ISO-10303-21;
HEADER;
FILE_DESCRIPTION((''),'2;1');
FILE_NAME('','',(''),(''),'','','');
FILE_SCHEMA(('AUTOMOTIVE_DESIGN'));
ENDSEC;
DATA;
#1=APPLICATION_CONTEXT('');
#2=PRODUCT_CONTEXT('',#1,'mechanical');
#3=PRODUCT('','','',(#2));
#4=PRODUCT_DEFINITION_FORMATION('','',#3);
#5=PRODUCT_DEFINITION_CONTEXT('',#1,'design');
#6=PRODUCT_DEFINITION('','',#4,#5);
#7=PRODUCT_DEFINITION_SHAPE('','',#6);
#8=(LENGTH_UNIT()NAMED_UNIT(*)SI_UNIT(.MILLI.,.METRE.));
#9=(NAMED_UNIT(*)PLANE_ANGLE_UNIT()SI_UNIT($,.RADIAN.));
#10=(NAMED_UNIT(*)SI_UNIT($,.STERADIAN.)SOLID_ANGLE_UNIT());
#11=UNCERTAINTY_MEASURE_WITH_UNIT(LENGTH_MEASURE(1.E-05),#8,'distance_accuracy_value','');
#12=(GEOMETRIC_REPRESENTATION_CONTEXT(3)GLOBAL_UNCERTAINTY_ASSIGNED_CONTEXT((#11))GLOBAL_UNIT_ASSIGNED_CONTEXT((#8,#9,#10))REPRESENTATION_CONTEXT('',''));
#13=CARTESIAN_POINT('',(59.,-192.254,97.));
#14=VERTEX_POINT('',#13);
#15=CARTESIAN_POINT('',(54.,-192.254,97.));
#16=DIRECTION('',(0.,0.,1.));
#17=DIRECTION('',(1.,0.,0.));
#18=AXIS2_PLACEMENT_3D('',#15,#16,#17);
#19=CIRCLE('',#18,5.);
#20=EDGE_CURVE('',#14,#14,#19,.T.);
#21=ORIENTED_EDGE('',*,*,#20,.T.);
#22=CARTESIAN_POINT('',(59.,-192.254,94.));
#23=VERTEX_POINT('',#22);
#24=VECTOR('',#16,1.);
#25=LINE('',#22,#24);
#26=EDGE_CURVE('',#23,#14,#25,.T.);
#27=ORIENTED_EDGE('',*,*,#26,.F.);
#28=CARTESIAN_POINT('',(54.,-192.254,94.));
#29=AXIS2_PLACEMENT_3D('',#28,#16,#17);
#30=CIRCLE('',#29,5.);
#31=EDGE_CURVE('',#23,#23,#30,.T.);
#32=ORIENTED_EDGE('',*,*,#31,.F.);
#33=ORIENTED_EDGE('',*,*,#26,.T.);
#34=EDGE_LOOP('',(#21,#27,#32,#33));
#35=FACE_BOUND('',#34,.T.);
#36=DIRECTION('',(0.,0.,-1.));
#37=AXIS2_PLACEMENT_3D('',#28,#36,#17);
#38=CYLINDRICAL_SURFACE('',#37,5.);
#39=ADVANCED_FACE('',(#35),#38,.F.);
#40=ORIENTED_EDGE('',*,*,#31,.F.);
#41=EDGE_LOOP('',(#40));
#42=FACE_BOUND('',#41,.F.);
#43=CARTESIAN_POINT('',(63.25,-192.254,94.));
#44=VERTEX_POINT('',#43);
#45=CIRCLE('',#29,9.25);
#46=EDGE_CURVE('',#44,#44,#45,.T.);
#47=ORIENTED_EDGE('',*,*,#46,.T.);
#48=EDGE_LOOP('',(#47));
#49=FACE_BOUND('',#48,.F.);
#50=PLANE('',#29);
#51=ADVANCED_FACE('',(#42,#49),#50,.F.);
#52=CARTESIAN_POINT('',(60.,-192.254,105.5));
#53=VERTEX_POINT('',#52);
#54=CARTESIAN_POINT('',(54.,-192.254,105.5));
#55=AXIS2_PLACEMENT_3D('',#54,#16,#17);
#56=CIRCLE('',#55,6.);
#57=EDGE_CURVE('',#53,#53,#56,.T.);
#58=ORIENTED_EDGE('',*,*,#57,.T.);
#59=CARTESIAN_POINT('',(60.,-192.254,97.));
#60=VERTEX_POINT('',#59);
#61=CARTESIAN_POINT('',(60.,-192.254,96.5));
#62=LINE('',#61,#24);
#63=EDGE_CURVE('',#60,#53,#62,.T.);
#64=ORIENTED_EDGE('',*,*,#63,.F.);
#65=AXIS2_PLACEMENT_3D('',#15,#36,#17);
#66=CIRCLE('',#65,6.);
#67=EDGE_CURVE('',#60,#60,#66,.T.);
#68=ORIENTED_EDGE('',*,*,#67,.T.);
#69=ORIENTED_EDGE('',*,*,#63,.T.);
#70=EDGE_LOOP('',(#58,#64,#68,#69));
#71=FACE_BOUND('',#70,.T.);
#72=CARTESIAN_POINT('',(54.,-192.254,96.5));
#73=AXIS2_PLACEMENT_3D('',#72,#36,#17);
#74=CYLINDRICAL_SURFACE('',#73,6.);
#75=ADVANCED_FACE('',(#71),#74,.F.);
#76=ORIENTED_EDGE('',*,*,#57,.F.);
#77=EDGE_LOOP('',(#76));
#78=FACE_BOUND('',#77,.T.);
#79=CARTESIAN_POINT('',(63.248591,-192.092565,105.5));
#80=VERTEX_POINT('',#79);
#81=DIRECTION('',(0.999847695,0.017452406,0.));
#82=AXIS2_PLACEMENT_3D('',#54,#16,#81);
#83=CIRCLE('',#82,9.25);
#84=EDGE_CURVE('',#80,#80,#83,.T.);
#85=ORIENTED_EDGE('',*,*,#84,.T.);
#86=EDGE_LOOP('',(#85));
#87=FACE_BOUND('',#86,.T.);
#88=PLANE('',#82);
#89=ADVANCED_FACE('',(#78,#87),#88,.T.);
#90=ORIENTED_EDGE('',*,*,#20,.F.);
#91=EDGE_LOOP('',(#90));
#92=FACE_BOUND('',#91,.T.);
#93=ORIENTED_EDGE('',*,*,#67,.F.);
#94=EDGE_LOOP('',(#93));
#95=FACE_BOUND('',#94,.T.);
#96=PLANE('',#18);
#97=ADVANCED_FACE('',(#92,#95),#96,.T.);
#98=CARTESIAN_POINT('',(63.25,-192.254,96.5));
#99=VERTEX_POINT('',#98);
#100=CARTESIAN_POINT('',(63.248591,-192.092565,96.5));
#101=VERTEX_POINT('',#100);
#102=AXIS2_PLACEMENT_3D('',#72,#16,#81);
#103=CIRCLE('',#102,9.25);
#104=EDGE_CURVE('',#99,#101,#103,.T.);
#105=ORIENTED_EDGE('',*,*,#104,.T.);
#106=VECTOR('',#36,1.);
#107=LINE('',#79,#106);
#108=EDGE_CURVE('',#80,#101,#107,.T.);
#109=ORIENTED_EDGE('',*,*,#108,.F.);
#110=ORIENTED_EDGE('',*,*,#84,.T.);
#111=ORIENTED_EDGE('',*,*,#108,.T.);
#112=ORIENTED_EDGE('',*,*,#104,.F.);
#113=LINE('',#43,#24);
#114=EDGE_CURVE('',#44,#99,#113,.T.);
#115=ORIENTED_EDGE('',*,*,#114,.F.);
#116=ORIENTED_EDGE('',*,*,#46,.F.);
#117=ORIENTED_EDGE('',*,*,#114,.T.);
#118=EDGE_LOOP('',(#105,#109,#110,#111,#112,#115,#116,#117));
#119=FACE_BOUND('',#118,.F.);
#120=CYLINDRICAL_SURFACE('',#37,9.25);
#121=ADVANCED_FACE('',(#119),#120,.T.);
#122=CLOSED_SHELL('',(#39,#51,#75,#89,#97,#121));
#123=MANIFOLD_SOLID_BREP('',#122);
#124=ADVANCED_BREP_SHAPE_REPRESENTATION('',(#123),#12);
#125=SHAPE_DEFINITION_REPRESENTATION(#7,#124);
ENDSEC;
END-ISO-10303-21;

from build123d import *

# Parameters (mm, degrees)
CYLINDER031_R               = 5
CYLINDER031_DEPTH           = 3
CYLINDER028_R               = 9.25
CYLINDER028_DEPTH           = 3
CYLINDER029_R               = 6
CYLINDER029_DEPTH           = 9
CYLINDER030_R               = 9.25
CYLINDER030_DEPTH           = 9
CYLINDER030_PLACEMENT_ANGLE = 1


with BuildPart() as smallplughole:
    # Cylinder031 → Cylinder031 (new body)
    with BuildSketch(Plane.XY):
        Circle(CYLINDER031_R)
    extrude(amount=CYLINDER031_DEPTH)


with BuildPart() as smallplugbas:
    # Cylinder028 → Cylinder028 (new body)
    with BuildSketch(Plane.XY):
        Circle(CYLINDER028_R)
    extrude(amount=CYLINDER028_DEPTH)

    # Cut011: cut SmallPlugHole
    add(smallplughole.part, mode=Mode.SUBTRACT)


with BuildPart() as smallplugwallhole:
    # Cylinder029 → Cylinder029 (new body)
    with BuildSketch(Plane.XY.offset(2.5)):
        Circle(CYLINDER029_R)
    extrude(amount=CYLINDER029_DEPTH)


with BuildPart() as gpu2_out_adapter:
    # Cylinder030 → Cylinder030 (new body)
    with BuildSketch(Plane.XY):
        Circle(CYLINDER030_R)
    extrude(amount=CYLINDER030_DEPTH)


with BuildPart() as gpu2_out_adapter_1:
    # Cylinder030 placement: moved
    add(gpu2_out_adapter.part.moved(Location((0, 0, 2.5))).rotate(Axis((0, 0, 2.5), (0, 0, 1)), CYLINDER030_PLACEMENT_ANGLE))

    # Cut010: cut SmallPlugWallHole
    add(smallplugwallhole.part, mode=Mode.SUBTRACT)

    # Fusion023: union SmallPlugBas
    add(smallplugbas.part)


with BuildPart() as gpu2_out_adapter_2:
    # Fusion023 placement: moved
    add(gpu2_out_adapter_1.part.moved(Location((54, -192.254, 94))))


solid = gpu2_out_adapter_2.part
